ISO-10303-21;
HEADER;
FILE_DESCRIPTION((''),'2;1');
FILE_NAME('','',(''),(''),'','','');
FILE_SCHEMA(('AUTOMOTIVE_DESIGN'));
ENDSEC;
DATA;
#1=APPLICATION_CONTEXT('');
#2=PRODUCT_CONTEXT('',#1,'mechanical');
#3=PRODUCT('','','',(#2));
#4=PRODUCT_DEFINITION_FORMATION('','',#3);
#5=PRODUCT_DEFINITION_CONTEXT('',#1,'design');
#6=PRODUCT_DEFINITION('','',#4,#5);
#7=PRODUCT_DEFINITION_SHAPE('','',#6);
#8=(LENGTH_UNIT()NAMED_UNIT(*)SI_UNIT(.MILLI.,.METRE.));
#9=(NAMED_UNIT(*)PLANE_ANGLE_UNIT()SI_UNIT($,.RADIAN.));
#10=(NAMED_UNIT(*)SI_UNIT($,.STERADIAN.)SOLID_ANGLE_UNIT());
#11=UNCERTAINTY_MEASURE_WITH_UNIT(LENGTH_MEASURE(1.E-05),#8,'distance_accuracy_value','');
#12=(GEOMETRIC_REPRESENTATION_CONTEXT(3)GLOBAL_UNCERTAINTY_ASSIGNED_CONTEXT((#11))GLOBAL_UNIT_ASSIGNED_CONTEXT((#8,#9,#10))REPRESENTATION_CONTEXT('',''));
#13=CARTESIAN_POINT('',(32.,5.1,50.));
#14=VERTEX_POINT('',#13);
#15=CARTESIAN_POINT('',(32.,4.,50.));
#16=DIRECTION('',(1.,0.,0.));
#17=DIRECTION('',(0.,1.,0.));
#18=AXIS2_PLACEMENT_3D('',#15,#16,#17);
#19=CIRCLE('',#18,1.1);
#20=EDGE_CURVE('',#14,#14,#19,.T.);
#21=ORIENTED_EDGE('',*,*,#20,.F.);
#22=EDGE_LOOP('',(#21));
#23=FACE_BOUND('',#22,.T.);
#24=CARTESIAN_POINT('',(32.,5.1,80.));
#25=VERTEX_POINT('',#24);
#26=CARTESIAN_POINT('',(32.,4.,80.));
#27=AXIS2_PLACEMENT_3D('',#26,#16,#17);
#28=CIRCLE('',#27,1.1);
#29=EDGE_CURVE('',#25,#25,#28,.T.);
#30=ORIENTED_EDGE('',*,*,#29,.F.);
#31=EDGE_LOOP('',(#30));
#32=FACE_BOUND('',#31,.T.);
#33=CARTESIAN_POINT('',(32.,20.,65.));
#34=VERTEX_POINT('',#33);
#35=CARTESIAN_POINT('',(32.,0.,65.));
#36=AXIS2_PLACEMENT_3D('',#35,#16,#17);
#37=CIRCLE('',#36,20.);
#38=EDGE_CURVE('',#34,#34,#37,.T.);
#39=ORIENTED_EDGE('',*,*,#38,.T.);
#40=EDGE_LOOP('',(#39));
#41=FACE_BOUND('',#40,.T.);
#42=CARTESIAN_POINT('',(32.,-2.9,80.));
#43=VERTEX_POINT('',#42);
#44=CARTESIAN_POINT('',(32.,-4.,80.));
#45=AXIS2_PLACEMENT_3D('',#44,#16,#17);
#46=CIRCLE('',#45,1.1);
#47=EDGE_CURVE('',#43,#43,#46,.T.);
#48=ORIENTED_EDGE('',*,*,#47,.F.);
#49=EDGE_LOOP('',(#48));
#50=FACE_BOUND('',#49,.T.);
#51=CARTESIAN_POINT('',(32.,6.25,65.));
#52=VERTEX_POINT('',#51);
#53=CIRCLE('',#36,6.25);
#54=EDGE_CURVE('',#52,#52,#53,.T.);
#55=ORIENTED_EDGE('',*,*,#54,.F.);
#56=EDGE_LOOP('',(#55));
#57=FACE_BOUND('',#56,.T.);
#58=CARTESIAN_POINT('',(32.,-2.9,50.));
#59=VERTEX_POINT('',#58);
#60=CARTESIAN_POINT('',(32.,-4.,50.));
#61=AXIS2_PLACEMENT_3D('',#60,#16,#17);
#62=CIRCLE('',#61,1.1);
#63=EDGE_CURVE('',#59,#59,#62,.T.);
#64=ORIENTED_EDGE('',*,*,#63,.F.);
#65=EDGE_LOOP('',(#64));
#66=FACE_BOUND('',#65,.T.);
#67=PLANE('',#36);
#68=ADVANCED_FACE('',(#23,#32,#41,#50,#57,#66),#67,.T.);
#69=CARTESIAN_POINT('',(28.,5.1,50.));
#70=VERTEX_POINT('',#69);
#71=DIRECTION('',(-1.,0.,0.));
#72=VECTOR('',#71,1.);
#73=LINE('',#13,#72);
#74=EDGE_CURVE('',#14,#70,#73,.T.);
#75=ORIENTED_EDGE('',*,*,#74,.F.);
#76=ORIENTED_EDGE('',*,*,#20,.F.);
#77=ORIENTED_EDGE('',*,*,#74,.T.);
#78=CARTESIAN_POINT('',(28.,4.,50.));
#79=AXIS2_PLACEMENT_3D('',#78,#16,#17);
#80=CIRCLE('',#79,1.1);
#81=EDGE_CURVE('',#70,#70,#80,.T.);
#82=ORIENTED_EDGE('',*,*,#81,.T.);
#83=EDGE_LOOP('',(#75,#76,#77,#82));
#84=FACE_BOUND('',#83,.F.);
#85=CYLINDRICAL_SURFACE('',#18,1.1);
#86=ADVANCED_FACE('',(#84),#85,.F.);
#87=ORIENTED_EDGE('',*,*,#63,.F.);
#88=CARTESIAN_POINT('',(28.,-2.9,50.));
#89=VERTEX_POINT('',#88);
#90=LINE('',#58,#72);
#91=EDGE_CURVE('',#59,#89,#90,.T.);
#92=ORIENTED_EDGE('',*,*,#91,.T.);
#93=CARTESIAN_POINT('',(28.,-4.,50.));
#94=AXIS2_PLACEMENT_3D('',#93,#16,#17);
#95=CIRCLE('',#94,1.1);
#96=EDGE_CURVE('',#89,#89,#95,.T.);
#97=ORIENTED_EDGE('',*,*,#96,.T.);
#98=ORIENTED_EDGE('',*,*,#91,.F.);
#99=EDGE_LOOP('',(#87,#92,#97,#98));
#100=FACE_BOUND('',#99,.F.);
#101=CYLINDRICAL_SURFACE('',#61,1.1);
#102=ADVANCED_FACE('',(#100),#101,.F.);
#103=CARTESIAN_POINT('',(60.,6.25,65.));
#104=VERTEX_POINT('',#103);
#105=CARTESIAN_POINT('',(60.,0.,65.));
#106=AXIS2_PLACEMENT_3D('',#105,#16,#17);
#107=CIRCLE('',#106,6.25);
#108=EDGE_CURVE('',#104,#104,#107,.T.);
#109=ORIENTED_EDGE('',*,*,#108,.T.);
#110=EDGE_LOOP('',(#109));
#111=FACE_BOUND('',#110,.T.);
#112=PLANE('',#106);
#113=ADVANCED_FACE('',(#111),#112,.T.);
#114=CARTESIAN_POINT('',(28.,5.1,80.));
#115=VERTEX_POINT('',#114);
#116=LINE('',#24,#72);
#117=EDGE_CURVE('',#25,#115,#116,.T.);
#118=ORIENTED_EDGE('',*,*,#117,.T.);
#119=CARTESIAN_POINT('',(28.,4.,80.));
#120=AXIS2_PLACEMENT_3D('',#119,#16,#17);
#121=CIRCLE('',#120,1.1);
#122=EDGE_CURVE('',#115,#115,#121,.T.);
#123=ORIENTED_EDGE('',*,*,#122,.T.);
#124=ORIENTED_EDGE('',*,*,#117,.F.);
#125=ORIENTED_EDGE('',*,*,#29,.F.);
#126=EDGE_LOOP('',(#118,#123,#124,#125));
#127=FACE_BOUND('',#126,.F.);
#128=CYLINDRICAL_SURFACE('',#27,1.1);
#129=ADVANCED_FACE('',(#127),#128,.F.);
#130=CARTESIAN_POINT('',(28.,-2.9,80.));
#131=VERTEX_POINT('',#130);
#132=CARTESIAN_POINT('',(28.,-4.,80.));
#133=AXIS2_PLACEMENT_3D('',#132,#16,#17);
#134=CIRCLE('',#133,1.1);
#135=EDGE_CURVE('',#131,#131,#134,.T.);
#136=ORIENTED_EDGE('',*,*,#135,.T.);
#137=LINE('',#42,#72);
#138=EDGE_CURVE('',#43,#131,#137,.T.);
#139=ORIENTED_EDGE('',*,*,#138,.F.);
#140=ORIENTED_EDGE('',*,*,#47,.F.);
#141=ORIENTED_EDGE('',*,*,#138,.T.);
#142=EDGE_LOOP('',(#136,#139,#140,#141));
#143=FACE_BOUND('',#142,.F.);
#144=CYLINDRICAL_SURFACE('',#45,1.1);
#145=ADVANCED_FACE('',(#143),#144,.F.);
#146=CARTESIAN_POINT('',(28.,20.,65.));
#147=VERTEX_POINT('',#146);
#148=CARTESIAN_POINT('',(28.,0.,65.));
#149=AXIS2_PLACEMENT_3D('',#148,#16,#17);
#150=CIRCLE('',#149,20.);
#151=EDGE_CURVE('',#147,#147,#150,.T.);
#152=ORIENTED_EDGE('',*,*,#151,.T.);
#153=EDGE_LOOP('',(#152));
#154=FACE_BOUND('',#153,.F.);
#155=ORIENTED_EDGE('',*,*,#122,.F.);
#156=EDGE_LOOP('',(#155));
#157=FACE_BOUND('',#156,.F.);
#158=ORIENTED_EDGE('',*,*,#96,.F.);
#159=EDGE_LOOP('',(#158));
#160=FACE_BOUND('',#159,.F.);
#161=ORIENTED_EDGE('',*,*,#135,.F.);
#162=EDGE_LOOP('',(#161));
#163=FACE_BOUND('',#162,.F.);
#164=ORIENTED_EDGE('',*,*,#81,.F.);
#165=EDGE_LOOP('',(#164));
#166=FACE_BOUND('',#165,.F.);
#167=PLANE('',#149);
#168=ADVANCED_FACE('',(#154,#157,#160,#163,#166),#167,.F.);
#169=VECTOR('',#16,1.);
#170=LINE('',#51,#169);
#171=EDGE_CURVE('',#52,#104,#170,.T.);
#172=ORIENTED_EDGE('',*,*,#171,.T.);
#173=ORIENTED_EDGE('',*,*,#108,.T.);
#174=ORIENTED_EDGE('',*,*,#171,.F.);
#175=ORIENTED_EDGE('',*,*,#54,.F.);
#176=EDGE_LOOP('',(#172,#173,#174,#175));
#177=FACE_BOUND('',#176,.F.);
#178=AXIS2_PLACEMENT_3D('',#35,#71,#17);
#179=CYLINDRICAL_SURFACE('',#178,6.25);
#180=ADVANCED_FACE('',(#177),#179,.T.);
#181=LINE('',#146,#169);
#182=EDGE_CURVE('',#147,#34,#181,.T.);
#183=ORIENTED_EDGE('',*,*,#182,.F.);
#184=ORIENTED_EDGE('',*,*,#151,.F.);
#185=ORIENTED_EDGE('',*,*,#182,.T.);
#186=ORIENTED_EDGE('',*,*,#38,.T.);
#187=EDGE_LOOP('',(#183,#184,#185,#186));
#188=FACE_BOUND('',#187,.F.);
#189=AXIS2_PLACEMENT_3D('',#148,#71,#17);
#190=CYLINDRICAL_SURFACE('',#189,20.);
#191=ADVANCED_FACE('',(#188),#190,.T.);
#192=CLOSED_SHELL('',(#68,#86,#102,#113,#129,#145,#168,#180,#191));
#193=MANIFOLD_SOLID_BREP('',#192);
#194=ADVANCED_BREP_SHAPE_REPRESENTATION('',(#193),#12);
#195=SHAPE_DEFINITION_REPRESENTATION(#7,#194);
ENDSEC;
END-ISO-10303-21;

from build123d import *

# Parameters (mm, degrees)
SKETCH023_R     = 20
PAD008_DEPTH    = 4
SKETCH024_R     = 1.1
POCKET008_DEPTH = 5
SKETCH025_R     = 6.25
PAD009_DEPTH    = 28


with BuildPart() as part:
    # Sketch023 → Pad008 (new body)
    with BuildSketch(Plane.YZ):
        Circle(SKETCH023_R)
    extrude(amount=PAD008_DEPTH)

    # Sketch024 (on Face3 of Pad008) → Pocket008 (cut)
    with BuildSketch(Plane.YZ.offset(4)):
        with Locations((-4, 15)):
            Circle(SKETCH024_R)
        with Locations((4, 15)):
            Circle(SKETCH024_R)
        with Locations((-4, -15)):
            Circle(SKETCH024_R)
        with Locations((4, -15)):
            Circle(SKETCH024_R)
    extrude(amount=-POCKET008_DEPTH, mode=Mode.SUBTRACT)

    # Sketch025 (on Face3 of Pocket008) → Pad009 (join)
    with BuildSketch(Plane.YZ.offset(4)):
        Circle(SKETCH025_R)
    extrude(amount=PAD009_DEPTH)


with BuildPart() as part_1:
    # Body003 placement: moved
    add(part.part.moved(Location((28, 0, 65))))


solid = part_1.part
